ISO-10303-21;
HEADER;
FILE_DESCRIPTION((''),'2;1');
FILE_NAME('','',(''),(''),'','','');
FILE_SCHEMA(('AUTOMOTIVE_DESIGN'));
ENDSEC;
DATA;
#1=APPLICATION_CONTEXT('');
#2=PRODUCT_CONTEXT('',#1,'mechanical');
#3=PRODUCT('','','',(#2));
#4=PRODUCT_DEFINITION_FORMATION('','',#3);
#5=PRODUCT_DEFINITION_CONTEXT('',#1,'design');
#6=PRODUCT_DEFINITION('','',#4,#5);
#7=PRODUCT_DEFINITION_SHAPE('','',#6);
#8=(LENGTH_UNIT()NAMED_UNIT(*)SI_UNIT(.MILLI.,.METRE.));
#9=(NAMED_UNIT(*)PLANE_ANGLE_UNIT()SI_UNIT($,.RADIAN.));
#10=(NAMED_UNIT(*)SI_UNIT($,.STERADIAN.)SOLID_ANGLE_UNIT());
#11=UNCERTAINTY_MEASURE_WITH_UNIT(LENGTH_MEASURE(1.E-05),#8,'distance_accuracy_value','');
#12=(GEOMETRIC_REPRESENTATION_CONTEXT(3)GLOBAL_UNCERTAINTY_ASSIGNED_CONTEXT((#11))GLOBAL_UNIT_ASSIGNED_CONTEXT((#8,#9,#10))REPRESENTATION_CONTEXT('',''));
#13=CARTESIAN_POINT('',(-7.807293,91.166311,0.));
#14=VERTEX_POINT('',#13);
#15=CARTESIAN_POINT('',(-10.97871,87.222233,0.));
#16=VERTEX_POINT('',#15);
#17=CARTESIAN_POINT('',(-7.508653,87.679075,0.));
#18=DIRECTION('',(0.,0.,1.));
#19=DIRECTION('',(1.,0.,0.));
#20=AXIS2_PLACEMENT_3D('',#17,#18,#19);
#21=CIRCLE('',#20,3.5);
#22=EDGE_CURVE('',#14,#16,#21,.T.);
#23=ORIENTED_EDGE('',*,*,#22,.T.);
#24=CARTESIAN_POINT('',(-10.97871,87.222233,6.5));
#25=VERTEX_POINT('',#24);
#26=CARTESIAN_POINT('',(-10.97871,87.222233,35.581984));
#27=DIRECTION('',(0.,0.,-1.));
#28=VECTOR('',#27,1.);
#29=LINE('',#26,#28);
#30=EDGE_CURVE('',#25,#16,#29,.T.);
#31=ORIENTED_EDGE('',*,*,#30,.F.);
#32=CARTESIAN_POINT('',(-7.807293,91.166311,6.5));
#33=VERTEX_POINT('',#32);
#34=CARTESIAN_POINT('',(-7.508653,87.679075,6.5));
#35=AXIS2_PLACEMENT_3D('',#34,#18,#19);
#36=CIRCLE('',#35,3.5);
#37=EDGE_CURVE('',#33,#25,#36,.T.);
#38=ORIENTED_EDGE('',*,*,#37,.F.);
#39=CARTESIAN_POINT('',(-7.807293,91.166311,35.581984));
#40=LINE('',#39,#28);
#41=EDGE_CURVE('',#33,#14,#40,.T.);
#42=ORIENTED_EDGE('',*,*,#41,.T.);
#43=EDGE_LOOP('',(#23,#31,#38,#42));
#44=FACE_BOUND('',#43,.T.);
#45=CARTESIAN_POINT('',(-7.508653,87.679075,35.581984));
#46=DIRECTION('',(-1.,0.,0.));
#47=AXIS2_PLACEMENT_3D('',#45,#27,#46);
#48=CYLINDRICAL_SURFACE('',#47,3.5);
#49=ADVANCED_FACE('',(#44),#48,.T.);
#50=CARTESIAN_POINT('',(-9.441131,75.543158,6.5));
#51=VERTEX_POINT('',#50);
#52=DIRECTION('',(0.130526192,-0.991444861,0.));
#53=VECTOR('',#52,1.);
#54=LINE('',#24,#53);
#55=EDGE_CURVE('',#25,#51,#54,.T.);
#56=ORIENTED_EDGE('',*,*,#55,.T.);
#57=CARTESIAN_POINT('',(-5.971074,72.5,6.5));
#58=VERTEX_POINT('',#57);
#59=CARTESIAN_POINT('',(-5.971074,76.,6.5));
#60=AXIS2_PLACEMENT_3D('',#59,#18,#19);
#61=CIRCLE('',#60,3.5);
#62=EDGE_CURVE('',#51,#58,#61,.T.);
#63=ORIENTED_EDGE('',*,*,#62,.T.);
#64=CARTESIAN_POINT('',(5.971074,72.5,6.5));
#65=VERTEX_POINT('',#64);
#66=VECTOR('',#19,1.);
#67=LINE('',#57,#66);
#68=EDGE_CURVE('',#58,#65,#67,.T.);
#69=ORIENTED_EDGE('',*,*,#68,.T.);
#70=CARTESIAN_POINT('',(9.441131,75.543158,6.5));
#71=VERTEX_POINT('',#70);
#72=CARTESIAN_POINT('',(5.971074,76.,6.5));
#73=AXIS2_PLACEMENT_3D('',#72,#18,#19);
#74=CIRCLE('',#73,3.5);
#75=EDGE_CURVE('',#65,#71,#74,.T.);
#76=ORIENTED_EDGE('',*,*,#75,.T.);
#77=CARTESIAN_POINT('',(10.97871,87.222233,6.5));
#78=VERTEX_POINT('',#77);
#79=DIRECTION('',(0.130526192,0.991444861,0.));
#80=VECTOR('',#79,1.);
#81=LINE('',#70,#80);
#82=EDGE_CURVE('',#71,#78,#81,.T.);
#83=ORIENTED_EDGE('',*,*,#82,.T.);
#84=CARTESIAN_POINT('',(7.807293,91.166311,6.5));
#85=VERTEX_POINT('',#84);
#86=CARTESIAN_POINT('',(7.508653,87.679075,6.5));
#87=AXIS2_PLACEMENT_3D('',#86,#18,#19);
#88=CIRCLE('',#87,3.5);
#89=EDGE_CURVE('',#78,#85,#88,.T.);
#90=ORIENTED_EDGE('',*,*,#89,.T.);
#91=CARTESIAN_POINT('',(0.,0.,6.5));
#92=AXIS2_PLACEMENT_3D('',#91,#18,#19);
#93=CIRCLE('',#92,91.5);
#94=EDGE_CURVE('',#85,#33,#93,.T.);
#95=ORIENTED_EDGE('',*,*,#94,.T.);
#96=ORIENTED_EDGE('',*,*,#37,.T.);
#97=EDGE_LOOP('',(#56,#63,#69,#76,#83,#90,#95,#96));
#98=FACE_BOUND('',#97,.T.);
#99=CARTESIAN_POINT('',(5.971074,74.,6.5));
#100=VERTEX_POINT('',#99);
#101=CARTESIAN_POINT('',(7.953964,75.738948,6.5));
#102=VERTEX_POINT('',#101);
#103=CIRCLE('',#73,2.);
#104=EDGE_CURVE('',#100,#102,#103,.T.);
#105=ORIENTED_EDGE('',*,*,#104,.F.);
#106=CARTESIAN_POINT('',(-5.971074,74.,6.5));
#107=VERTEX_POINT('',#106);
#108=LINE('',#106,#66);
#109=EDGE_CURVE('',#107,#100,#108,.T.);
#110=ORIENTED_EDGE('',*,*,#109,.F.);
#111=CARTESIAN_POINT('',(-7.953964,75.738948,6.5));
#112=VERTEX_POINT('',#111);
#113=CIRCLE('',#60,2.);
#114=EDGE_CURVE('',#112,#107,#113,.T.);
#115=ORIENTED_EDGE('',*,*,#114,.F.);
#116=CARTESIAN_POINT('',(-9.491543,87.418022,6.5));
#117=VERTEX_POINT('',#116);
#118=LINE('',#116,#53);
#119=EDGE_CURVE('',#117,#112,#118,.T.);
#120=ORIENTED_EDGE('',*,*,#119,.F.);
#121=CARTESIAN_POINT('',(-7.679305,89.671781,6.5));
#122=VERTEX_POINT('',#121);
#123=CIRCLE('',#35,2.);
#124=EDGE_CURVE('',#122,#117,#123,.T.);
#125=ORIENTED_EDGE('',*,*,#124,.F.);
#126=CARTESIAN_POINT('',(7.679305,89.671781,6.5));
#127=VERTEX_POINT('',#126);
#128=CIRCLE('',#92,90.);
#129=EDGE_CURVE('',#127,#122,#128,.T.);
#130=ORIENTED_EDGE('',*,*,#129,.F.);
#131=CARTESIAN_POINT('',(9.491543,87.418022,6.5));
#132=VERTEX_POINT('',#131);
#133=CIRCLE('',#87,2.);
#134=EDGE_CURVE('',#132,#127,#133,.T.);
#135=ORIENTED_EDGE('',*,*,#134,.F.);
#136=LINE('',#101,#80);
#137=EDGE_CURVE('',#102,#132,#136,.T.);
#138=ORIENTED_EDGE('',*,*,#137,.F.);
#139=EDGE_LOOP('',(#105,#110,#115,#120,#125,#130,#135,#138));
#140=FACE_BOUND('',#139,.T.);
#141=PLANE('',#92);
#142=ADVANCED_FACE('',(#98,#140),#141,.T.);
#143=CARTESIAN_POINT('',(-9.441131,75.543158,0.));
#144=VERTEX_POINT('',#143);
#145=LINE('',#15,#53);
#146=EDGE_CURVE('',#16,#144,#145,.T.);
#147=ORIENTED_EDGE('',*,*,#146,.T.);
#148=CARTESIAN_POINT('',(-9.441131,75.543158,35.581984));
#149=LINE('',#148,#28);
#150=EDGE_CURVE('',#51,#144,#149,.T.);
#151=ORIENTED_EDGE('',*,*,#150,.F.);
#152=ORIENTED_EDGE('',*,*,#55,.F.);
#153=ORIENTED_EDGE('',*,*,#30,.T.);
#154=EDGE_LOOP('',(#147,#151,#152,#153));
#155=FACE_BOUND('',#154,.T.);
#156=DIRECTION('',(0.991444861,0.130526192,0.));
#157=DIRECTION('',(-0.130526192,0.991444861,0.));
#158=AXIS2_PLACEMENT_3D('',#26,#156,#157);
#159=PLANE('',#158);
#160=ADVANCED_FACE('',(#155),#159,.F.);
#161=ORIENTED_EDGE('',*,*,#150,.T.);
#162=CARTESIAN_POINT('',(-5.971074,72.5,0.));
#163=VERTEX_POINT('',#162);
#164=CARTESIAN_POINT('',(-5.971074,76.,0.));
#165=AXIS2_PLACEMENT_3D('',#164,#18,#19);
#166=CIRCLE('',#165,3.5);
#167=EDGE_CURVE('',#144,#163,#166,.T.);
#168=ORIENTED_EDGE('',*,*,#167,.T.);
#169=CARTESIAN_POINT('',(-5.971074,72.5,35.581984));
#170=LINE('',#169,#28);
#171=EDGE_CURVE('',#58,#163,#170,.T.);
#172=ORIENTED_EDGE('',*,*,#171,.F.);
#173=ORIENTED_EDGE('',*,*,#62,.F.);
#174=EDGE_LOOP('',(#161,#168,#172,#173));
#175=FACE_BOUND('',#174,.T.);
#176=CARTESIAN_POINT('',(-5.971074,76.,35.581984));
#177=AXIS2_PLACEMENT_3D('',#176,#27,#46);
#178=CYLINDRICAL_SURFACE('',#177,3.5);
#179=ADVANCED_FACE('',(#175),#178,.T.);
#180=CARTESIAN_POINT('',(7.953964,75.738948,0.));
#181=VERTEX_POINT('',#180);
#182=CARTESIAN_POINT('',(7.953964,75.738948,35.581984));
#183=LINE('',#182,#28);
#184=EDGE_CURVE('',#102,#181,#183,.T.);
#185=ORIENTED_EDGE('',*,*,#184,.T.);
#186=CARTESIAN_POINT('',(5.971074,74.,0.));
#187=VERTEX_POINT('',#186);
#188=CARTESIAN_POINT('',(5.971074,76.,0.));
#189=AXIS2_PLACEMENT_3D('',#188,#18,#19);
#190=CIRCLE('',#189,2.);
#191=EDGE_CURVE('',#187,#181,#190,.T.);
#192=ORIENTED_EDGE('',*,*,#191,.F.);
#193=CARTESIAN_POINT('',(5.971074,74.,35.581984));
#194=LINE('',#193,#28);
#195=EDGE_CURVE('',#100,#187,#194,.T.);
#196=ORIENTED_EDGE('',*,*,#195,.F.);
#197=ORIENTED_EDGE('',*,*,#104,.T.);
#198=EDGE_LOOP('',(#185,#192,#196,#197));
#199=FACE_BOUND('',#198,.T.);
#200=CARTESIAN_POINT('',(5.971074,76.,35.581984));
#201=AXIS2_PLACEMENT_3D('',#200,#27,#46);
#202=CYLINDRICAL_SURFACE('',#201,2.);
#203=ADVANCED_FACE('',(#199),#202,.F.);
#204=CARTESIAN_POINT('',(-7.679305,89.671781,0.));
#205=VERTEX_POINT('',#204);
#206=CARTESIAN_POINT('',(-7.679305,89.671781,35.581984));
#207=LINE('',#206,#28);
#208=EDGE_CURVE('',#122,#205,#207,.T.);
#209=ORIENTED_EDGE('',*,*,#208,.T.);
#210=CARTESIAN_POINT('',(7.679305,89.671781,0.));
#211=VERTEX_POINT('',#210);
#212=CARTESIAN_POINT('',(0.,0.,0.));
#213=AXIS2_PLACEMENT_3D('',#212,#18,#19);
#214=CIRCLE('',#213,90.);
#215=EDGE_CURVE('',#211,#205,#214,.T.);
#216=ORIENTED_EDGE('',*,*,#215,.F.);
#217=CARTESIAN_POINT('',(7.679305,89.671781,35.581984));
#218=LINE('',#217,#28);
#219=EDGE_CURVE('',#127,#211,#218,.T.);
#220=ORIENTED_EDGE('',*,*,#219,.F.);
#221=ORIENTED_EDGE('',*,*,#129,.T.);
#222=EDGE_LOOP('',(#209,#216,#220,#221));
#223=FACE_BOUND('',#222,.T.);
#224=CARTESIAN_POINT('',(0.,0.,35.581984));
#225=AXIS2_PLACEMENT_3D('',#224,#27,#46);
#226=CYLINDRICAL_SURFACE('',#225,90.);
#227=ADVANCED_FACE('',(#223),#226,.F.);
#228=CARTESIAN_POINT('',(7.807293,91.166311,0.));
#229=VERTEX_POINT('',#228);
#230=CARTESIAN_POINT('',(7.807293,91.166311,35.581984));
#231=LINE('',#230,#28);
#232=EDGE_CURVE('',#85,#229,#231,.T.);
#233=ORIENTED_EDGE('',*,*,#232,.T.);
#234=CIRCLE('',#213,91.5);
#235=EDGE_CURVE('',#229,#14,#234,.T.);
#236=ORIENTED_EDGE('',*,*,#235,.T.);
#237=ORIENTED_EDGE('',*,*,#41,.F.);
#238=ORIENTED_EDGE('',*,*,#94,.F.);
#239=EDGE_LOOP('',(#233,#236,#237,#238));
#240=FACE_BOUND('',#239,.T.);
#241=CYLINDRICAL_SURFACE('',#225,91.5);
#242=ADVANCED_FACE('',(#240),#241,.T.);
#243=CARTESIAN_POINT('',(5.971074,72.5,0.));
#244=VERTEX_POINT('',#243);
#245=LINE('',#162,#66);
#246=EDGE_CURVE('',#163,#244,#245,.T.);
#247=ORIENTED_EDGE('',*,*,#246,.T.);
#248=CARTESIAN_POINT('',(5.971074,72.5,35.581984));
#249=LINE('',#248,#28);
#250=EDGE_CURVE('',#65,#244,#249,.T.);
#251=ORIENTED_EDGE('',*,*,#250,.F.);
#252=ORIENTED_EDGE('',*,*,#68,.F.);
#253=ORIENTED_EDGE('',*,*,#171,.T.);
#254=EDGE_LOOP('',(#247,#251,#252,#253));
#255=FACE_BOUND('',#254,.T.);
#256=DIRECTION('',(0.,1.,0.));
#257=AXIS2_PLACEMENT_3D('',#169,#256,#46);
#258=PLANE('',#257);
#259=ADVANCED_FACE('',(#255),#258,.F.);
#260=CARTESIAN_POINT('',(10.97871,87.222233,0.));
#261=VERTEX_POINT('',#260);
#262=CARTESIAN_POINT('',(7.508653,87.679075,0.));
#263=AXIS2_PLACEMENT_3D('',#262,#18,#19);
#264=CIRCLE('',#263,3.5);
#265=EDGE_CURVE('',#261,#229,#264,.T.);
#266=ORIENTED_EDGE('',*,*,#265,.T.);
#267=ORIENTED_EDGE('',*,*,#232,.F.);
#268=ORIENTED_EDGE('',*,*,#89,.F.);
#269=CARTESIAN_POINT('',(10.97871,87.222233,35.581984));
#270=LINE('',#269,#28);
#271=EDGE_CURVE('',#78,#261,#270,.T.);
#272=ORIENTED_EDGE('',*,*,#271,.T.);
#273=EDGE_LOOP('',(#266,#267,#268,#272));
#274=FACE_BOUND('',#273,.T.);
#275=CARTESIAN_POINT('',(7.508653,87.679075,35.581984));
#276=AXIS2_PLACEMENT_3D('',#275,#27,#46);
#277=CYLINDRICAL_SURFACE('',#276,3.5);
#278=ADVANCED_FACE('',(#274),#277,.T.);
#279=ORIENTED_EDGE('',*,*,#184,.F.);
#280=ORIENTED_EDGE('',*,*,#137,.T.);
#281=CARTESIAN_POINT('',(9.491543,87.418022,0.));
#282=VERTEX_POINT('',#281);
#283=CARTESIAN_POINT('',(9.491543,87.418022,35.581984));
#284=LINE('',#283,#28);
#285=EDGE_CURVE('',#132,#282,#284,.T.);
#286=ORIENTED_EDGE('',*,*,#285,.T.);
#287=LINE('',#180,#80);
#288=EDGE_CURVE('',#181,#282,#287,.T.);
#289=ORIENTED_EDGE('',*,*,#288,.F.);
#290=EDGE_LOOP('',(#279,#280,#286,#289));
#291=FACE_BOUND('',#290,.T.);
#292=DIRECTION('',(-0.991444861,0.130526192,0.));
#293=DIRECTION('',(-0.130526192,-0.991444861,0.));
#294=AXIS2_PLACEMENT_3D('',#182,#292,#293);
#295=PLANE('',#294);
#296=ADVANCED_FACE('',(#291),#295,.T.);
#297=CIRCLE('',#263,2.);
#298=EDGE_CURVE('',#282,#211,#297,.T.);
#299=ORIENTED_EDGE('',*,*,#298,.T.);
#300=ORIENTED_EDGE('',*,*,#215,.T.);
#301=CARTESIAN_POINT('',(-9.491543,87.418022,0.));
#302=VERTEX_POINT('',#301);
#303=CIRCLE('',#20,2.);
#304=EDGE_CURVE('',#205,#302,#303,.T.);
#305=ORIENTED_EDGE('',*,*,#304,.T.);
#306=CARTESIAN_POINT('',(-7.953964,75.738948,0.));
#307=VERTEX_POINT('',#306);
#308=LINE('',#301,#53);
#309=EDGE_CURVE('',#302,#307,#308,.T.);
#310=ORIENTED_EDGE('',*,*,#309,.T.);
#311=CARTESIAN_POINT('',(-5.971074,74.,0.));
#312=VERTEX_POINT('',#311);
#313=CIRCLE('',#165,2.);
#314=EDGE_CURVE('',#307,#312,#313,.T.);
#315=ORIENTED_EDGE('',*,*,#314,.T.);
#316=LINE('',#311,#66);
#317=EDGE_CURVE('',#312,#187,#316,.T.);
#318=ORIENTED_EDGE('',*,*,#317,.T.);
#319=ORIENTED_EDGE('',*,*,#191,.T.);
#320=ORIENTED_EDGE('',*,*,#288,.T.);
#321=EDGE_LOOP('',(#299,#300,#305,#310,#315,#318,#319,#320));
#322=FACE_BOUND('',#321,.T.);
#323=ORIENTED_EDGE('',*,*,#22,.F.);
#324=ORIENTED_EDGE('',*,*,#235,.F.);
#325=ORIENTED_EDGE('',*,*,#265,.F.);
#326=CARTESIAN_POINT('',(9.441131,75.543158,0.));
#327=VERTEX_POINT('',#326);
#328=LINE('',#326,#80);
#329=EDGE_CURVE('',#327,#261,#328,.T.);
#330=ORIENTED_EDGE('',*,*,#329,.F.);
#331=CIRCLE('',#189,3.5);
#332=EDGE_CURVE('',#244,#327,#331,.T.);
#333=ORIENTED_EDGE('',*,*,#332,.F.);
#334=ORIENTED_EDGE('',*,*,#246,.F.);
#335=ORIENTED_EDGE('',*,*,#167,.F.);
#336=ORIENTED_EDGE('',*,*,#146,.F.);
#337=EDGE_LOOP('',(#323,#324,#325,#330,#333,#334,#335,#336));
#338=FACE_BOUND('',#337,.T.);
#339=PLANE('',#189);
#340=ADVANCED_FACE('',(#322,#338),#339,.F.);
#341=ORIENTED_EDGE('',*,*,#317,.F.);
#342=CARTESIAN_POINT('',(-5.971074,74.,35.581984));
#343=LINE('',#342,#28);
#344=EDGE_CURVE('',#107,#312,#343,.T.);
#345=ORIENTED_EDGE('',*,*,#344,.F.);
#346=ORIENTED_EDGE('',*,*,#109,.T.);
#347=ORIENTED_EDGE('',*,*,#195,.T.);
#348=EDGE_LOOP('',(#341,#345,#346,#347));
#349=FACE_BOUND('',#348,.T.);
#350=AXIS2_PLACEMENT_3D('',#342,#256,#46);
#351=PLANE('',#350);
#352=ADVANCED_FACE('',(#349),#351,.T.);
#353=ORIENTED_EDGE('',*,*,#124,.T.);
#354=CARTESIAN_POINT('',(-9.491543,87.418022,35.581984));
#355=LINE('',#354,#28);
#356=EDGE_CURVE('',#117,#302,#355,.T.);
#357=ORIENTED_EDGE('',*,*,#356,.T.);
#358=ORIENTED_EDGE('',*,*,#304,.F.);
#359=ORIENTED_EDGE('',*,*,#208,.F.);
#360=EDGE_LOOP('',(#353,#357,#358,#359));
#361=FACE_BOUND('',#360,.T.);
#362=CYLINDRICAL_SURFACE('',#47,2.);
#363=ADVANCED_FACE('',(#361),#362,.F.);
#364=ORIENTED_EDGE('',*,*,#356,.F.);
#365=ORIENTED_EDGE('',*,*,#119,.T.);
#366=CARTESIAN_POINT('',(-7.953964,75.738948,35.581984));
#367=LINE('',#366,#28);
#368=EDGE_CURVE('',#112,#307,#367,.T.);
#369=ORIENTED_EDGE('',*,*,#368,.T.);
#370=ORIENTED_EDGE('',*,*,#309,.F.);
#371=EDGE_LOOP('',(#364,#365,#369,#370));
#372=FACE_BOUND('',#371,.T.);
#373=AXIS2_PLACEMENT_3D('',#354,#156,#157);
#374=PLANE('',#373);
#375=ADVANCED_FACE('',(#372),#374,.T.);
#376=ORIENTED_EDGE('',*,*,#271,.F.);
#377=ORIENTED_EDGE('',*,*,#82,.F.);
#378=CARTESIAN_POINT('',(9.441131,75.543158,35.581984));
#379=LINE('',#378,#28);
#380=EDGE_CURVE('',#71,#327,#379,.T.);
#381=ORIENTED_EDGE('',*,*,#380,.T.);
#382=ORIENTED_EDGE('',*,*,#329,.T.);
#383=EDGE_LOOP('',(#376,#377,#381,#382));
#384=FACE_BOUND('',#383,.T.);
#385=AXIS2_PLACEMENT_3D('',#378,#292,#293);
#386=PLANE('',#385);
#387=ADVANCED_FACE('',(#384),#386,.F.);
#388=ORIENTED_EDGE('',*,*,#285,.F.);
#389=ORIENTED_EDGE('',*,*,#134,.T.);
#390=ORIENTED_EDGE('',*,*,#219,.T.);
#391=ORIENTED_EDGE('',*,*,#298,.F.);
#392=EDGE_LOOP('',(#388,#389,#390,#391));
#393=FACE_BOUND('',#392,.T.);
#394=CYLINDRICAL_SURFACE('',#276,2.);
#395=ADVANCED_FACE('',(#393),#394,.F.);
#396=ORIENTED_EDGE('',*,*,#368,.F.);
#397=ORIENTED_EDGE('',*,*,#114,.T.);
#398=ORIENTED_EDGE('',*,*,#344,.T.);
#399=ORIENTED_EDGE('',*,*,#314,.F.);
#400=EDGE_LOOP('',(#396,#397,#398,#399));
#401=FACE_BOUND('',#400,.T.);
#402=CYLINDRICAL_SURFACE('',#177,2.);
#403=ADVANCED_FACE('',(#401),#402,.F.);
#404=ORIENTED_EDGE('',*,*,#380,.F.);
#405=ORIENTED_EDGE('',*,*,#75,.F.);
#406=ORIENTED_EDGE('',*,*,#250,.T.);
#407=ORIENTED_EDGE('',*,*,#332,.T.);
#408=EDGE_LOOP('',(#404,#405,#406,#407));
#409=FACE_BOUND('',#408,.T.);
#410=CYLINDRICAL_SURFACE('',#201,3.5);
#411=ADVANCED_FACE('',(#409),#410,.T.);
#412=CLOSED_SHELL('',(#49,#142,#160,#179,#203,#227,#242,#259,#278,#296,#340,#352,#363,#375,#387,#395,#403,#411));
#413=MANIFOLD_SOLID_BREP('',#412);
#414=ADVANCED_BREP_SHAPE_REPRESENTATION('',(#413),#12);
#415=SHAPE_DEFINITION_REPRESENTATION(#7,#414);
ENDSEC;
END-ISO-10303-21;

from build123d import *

# Parameters (mm, degrees)
BOSS_EXTRUDE1_DEPTH = 6.5


with BuildPart() as part:
    # Sketch1 → Boss-Extrude1 (new body)
    with BuildSketch(Plane.XY):
        with BuildLine():
            Line((9.441130989, 75.543158327), (10.978710332, 87.222232942))
            ThreePointArc((10.978710332, 87.222232942), (10.23623569, 89.872312951), (7.807292937, 91.166310537))
            ThreePointArc((7.807292937, 91.166310537), (0, 91.5), (-7.807292937, 91.166310537))
            ThreePointArc((-7.807292937, 91.166310537), (-10.23623569, 89.872312951), (-10.978710332, 87.222232942))
            Line((-10.978710332, 87.222232942), (-9.441130989, 75.543158327))
            ThreePointArc((-9.441130989, 75.543158327), (-8.278784327, 73.368560674), (-5.971073974, 72.5))
            Line((-5.971073974, 72.5), (5.971073974, 72.5))
            ThreePointArc((5.971073974, 72.5), (8.278784327, 73.368560674), (9.441130989, 75.543158327))
        make_face()
        with BuildLine():
            Line((-9.49154304, 87.418022231), (-7.953963697, 75.738947616))
            ThreePointArc((-7.953963697, 75.738947616), (-7.289765605, 74.496320385), (-5.971073974, 74))
            Line((-5.971073974, 74), (5.971073974, 74))
            ThreePointArc((5.971073974, 74), (7.289765605, 74.496320385), (7.953963697, 75.738947616))
            Line((7.953963697, 75.738947616), (9.49154304, 87.418022231))
            ThreePointArc((9.49154304, 87.418022231), (9.067271816, 88.932353664), (7.679304529, 89.671780856))
            ThreePointArc((7.679304529, 89.671780856), (0, 90), (-7.679304529, 89.671780856))
            ThreePointArc((-7.679304529, 89.671780856), (-9.067271816, 88.932353664), (-9.49154304, 87.418022231))
        make_face(mode=Mode.SUBTRACT)
    extrude(amount=BOSS_EXTRUDE1_DEPTH)


solid = part.part
